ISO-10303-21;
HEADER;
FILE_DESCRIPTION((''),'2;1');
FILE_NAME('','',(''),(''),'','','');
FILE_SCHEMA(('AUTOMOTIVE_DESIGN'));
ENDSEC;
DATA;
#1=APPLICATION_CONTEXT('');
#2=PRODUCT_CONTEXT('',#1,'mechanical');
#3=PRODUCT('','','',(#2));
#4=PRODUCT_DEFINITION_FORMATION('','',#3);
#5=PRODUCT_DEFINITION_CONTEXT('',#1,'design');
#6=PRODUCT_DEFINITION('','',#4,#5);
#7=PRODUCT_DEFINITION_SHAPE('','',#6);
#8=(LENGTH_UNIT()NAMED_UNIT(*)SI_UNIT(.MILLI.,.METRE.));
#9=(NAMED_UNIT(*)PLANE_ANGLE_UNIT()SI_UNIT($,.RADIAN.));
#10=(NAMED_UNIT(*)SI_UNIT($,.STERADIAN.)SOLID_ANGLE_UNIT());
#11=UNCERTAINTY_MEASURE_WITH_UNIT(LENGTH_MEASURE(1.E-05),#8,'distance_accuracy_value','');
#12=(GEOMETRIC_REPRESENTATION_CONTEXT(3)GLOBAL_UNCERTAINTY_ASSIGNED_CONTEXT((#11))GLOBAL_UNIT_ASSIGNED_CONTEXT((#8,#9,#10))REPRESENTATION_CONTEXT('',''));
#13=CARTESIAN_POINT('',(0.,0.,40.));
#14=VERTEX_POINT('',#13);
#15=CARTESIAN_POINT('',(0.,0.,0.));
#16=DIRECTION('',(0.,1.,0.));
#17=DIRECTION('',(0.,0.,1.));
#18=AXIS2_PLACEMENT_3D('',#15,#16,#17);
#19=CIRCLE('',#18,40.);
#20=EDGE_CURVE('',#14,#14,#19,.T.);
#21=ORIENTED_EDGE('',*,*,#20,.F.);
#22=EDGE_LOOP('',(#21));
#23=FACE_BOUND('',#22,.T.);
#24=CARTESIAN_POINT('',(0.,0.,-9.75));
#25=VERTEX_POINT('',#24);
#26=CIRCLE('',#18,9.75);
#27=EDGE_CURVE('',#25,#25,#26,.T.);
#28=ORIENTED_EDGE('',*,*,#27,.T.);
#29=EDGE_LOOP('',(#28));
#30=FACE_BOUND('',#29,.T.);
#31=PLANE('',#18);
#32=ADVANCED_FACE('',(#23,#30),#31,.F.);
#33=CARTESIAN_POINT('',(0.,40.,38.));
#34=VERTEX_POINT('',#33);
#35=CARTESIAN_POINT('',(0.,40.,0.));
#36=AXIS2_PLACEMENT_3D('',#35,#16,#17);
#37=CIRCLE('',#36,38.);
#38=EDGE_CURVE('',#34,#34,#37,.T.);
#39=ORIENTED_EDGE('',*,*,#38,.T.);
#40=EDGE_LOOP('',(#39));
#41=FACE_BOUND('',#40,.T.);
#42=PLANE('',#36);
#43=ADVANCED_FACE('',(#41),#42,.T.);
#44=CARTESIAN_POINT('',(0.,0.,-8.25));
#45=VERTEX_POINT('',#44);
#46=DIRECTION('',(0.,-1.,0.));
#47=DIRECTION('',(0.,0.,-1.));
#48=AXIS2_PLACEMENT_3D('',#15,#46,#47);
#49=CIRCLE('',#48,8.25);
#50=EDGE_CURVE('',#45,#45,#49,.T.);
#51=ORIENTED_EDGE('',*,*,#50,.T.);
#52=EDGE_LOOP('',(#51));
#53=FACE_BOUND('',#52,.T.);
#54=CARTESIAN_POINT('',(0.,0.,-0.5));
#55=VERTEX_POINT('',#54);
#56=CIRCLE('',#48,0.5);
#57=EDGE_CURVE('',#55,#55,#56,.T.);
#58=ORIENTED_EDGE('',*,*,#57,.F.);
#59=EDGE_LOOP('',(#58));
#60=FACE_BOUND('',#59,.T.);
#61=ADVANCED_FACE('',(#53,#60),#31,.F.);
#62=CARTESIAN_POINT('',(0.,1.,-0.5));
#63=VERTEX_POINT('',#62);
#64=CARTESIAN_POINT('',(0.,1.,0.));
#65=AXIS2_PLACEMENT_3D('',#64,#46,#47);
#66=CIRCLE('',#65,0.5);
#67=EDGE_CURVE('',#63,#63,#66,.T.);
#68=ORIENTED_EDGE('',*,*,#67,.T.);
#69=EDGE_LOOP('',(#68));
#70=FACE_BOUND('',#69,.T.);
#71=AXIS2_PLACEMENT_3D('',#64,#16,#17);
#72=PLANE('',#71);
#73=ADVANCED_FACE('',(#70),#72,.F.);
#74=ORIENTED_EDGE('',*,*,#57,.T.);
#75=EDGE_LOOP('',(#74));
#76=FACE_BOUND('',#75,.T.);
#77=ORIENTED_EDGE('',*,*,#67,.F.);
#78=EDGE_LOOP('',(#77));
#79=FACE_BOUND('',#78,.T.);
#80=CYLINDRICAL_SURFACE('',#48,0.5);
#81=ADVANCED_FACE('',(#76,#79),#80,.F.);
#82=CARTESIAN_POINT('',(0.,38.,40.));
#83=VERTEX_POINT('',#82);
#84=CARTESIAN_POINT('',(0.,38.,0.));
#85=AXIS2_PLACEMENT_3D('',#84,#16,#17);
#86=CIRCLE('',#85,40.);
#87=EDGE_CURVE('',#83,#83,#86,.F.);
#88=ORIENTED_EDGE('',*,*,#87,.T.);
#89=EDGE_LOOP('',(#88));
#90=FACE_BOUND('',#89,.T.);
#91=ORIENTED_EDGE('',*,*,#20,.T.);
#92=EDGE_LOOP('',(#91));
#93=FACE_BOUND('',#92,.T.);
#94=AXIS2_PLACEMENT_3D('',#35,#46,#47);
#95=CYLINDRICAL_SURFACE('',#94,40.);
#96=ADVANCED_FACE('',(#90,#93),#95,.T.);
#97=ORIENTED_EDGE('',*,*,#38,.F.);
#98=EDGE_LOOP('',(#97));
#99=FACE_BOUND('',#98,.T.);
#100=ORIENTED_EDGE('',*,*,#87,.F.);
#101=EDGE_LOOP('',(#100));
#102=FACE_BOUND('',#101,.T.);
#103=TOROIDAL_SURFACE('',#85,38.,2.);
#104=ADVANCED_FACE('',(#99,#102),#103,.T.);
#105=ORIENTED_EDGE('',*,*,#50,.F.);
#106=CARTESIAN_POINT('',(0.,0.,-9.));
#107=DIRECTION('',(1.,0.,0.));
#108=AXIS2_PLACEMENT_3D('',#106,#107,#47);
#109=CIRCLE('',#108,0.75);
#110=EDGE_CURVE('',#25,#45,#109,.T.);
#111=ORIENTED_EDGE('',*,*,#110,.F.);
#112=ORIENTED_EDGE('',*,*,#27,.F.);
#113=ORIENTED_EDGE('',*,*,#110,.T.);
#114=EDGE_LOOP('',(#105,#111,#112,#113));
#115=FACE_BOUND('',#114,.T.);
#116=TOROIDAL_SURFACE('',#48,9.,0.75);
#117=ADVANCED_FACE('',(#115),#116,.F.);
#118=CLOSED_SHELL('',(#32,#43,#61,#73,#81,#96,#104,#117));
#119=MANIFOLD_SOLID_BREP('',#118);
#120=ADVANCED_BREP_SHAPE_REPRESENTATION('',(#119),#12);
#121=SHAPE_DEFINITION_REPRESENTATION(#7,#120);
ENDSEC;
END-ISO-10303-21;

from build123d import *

# Parameters (mm, degrees)
SKETCH_1_R        = 40
EXTRUDE_1_DEPTH   = 40
FILLET_1_R        = 2
SWEEP_3_PROFILE_R = 0.75
SKETCH_2_W        = 0.5
SKETCH_2_H        = 1


with BuildPart() as part:
    # 草图1 → 凸台-拉伸1 (new body)
    with BuildSketch(Plane(origin=(0, 0, 0), x_dir=(1, 0, 0), z_dir=(0, 1, 0))):
        Circle(SKETCH_1_R)
    extrude(amount=EXTRUDE_1_DEPTH)

    # 圆角1
    fillet_1_edges = [part.edges().sort_by_distance(p)[0] for p in [
        (-40, 40, 0),
    ]]
    fillet(fillet_1_edges, radius=FILLET_1_R)

    # 切除-扫描3: sweep along a path in 草图3
    with BuildLine(Plane.XZ) as sweep_3_path:
        CenterArc((0, 0), 9, 0, 360)
    # 切除-扫描3 profile (on start of the path) → 切除-扫描3 (sweep, cut)
    with BuildSketch(Plane(origin=(9, 0, 0), x_dir=(1, 0, 0), z_dir=(0, 0, 1))):
        Circle(SWEEP_3_PROFILE_R)
    sweep(path=sweep_3_path.line, mode=Mode.SUBTRACT)

    # 草图2 → 切除-旋转1 (revolve, cut)
    with BuildSketch(Plane.XY):
        with Locations((0.25, 0.5)):
            Rectangle(SKETCH_2_W, SKETCH_2_H)
    revolve(axis=Axis((0, 0, 0), (0, 1, 0)), mode=Mode.SUBTRACT)


solid = part.part
